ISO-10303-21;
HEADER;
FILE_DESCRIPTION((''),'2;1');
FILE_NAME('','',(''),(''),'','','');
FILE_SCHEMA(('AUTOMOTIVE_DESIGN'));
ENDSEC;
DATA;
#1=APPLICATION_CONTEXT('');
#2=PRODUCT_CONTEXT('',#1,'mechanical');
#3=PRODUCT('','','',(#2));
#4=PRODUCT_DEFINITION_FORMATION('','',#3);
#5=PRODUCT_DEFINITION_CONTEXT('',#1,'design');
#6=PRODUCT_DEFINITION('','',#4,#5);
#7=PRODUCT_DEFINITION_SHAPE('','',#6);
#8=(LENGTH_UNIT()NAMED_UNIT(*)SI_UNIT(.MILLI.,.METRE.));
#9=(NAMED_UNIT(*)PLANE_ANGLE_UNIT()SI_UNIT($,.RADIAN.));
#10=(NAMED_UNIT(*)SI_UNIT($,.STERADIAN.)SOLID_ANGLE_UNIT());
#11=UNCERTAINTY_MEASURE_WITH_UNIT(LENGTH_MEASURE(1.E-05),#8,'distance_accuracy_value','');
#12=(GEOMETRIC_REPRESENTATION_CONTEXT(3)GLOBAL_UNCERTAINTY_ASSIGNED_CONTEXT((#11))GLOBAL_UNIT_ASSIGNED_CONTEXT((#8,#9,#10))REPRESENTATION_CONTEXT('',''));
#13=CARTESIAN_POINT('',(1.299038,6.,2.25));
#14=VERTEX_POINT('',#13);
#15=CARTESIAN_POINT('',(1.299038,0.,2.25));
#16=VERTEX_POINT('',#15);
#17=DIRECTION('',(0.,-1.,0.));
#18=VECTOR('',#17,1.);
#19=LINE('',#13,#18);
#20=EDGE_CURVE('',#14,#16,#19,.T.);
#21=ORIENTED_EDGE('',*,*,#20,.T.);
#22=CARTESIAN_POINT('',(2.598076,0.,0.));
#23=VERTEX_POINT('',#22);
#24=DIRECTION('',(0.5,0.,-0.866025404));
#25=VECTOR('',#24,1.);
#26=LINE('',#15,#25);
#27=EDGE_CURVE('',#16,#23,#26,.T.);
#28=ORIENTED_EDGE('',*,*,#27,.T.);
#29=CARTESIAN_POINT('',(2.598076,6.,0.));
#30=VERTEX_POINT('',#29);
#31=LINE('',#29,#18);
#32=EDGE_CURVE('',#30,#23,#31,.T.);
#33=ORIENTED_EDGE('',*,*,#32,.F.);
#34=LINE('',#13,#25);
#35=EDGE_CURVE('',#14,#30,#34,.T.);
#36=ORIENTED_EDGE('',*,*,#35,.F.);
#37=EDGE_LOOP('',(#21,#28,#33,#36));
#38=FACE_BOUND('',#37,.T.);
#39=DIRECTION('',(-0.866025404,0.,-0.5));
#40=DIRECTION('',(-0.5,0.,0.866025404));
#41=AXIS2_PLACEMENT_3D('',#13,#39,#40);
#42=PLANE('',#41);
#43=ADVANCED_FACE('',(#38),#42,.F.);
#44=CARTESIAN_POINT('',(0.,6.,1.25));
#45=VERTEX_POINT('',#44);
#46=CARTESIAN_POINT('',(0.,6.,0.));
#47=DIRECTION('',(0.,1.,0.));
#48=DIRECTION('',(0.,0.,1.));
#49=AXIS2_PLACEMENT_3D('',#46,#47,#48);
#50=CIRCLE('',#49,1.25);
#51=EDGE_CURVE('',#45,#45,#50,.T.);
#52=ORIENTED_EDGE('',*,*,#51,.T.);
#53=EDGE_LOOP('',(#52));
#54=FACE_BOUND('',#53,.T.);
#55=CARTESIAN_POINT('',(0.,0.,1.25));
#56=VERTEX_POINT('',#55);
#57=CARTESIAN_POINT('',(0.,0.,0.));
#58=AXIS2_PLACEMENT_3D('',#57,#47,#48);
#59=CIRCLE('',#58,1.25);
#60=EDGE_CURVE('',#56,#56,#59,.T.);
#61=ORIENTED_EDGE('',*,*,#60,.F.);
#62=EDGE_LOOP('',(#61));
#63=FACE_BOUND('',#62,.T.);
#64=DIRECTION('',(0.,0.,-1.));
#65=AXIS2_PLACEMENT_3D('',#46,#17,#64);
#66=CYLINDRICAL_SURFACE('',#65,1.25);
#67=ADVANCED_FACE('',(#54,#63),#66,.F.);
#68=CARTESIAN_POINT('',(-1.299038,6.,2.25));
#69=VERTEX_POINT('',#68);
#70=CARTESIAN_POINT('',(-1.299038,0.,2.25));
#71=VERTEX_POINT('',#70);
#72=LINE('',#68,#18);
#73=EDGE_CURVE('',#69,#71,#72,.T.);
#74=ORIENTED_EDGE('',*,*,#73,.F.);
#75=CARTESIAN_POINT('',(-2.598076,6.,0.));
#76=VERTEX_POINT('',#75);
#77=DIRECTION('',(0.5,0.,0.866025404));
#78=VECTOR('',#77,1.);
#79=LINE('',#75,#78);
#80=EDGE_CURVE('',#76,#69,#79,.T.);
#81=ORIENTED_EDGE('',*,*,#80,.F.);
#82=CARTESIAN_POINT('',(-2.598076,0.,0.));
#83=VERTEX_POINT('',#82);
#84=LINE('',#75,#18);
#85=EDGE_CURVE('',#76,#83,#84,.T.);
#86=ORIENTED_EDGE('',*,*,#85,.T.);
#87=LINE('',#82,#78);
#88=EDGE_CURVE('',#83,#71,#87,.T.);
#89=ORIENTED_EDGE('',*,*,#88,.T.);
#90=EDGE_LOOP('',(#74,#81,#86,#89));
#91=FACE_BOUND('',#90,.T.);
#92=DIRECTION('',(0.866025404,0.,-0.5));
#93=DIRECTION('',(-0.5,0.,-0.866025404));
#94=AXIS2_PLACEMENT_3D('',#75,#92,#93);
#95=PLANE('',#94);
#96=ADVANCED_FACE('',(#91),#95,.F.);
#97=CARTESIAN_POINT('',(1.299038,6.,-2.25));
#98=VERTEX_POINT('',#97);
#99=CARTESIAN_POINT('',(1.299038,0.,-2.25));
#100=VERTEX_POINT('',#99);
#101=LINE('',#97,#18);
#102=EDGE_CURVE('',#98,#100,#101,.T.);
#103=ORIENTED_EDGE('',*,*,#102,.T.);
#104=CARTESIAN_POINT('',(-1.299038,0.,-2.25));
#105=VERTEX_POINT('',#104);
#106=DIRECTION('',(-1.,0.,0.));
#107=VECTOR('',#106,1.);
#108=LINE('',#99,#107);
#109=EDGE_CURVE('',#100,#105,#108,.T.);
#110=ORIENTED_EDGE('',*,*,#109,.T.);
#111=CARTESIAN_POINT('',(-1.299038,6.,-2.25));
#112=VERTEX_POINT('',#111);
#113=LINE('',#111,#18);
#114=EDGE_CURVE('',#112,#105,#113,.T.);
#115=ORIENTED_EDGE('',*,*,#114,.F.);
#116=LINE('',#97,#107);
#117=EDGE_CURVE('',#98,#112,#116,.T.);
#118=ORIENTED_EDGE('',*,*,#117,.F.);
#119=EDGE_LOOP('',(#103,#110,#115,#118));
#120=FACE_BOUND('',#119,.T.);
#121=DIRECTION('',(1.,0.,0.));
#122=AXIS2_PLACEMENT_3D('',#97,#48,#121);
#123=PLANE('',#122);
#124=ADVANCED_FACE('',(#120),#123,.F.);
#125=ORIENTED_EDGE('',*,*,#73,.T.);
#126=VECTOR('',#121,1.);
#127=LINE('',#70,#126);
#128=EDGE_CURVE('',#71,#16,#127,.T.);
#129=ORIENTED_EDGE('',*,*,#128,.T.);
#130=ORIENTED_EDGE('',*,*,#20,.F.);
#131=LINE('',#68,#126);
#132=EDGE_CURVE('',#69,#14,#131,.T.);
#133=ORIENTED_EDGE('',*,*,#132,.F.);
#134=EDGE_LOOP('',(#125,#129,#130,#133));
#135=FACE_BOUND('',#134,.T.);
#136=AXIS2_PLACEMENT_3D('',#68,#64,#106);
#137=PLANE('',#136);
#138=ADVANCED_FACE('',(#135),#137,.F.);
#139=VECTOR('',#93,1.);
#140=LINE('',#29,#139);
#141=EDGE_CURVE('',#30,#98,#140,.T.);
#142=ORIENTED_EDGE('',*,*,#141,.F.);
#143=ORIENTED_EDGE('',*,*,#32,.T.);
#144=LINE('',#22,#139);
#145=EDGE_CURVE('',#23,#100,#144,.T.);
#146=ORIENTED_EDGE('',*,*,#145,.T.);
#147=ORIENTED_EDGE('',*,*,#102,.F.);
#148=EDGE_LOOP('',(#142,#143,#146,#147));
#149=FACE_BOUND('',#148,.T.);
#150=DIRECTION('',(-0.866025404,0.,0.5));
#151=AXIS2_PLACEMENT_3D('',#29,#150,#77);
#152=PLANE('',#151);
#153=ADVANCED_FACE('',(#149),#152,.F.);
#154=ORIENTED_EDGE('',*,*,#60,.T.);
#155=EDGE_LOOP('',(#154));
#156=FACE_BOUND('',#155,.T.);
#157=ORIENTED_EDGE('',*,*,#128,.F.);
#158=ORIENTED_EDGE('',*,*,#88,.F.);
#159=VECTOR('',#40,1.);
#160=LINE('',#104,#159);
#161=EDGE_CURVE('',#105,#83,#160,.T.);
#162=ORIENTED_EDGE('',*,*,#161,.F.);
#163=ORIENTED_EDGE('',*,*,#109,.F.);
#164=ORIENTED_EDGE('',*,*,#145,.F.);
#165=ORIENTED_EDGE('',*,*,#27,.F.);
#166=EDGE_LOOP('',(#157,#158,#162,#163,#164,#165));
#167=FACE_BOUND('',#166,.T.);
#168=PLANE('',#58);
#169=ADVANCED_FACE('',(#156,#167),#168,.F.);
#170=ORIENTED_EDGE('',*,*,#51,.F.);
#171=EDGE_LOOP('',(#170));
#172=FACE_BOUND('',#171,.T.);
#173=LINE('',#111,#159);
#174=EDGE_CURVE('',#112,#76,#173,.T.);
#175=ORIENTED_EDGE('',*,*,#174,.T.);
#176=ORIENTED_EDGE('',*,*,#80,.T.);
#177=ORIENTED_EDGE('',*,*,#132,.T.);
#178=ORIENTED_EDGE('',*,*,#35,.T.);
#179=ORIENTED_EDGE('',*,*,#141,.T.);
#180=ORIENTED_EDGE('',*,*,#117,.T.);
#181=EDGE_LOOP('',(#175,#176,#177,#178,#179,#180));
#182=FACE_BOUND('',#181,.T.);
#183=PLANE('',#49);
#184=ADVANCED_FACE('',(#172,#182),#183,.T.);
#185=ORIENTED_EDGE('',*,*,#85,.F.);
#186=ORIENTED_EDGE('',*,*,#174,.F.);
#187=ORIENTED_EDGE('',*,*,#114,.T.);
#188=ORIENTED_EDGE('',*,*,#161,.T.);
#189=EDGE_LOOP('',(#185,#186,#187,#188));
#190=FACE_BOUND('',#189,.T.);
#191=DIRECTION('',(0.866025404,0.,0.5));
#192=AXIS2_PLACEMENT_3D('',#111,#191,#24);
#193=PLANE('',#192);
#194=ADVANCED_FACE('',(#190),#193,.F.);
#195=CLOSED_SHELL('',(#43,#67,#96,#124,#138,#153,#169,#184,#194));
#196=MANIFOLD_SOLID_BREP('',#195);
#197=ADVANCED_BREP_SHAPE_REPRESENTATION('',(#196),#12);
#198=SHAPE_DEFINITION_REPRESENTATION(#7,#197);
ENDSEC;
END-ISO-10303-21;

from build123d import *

# Parameters (mm, degrees)
SKETCH_1_R      = 1.25
EXTRUDE_1_DEPTH = 6


with BuildPart() as part:
    # 草图1 → 凸台-拉伸1 (new body)
    with BuildSketch(Plane(origin=(0, 0, 0), x_dir=(1, 0, 0), z_dir=(0, 1, 0))):
        Polygon((1.299038106, -2.25), (2.598076211, 0), (1.299038106, 2.25), (-1.299038106, 2.25), (-2.598076211, 0), (-1.299038106, -2.25), align=None)
        with Locations(Location((0, 0, 0), (0, 0, 270))):
            Circle(SKETCH_1_R, mode=Mode.SUBTRACT)
    extrude(amount=EXTRUDE_1_DEPTH)


solid = part.part
